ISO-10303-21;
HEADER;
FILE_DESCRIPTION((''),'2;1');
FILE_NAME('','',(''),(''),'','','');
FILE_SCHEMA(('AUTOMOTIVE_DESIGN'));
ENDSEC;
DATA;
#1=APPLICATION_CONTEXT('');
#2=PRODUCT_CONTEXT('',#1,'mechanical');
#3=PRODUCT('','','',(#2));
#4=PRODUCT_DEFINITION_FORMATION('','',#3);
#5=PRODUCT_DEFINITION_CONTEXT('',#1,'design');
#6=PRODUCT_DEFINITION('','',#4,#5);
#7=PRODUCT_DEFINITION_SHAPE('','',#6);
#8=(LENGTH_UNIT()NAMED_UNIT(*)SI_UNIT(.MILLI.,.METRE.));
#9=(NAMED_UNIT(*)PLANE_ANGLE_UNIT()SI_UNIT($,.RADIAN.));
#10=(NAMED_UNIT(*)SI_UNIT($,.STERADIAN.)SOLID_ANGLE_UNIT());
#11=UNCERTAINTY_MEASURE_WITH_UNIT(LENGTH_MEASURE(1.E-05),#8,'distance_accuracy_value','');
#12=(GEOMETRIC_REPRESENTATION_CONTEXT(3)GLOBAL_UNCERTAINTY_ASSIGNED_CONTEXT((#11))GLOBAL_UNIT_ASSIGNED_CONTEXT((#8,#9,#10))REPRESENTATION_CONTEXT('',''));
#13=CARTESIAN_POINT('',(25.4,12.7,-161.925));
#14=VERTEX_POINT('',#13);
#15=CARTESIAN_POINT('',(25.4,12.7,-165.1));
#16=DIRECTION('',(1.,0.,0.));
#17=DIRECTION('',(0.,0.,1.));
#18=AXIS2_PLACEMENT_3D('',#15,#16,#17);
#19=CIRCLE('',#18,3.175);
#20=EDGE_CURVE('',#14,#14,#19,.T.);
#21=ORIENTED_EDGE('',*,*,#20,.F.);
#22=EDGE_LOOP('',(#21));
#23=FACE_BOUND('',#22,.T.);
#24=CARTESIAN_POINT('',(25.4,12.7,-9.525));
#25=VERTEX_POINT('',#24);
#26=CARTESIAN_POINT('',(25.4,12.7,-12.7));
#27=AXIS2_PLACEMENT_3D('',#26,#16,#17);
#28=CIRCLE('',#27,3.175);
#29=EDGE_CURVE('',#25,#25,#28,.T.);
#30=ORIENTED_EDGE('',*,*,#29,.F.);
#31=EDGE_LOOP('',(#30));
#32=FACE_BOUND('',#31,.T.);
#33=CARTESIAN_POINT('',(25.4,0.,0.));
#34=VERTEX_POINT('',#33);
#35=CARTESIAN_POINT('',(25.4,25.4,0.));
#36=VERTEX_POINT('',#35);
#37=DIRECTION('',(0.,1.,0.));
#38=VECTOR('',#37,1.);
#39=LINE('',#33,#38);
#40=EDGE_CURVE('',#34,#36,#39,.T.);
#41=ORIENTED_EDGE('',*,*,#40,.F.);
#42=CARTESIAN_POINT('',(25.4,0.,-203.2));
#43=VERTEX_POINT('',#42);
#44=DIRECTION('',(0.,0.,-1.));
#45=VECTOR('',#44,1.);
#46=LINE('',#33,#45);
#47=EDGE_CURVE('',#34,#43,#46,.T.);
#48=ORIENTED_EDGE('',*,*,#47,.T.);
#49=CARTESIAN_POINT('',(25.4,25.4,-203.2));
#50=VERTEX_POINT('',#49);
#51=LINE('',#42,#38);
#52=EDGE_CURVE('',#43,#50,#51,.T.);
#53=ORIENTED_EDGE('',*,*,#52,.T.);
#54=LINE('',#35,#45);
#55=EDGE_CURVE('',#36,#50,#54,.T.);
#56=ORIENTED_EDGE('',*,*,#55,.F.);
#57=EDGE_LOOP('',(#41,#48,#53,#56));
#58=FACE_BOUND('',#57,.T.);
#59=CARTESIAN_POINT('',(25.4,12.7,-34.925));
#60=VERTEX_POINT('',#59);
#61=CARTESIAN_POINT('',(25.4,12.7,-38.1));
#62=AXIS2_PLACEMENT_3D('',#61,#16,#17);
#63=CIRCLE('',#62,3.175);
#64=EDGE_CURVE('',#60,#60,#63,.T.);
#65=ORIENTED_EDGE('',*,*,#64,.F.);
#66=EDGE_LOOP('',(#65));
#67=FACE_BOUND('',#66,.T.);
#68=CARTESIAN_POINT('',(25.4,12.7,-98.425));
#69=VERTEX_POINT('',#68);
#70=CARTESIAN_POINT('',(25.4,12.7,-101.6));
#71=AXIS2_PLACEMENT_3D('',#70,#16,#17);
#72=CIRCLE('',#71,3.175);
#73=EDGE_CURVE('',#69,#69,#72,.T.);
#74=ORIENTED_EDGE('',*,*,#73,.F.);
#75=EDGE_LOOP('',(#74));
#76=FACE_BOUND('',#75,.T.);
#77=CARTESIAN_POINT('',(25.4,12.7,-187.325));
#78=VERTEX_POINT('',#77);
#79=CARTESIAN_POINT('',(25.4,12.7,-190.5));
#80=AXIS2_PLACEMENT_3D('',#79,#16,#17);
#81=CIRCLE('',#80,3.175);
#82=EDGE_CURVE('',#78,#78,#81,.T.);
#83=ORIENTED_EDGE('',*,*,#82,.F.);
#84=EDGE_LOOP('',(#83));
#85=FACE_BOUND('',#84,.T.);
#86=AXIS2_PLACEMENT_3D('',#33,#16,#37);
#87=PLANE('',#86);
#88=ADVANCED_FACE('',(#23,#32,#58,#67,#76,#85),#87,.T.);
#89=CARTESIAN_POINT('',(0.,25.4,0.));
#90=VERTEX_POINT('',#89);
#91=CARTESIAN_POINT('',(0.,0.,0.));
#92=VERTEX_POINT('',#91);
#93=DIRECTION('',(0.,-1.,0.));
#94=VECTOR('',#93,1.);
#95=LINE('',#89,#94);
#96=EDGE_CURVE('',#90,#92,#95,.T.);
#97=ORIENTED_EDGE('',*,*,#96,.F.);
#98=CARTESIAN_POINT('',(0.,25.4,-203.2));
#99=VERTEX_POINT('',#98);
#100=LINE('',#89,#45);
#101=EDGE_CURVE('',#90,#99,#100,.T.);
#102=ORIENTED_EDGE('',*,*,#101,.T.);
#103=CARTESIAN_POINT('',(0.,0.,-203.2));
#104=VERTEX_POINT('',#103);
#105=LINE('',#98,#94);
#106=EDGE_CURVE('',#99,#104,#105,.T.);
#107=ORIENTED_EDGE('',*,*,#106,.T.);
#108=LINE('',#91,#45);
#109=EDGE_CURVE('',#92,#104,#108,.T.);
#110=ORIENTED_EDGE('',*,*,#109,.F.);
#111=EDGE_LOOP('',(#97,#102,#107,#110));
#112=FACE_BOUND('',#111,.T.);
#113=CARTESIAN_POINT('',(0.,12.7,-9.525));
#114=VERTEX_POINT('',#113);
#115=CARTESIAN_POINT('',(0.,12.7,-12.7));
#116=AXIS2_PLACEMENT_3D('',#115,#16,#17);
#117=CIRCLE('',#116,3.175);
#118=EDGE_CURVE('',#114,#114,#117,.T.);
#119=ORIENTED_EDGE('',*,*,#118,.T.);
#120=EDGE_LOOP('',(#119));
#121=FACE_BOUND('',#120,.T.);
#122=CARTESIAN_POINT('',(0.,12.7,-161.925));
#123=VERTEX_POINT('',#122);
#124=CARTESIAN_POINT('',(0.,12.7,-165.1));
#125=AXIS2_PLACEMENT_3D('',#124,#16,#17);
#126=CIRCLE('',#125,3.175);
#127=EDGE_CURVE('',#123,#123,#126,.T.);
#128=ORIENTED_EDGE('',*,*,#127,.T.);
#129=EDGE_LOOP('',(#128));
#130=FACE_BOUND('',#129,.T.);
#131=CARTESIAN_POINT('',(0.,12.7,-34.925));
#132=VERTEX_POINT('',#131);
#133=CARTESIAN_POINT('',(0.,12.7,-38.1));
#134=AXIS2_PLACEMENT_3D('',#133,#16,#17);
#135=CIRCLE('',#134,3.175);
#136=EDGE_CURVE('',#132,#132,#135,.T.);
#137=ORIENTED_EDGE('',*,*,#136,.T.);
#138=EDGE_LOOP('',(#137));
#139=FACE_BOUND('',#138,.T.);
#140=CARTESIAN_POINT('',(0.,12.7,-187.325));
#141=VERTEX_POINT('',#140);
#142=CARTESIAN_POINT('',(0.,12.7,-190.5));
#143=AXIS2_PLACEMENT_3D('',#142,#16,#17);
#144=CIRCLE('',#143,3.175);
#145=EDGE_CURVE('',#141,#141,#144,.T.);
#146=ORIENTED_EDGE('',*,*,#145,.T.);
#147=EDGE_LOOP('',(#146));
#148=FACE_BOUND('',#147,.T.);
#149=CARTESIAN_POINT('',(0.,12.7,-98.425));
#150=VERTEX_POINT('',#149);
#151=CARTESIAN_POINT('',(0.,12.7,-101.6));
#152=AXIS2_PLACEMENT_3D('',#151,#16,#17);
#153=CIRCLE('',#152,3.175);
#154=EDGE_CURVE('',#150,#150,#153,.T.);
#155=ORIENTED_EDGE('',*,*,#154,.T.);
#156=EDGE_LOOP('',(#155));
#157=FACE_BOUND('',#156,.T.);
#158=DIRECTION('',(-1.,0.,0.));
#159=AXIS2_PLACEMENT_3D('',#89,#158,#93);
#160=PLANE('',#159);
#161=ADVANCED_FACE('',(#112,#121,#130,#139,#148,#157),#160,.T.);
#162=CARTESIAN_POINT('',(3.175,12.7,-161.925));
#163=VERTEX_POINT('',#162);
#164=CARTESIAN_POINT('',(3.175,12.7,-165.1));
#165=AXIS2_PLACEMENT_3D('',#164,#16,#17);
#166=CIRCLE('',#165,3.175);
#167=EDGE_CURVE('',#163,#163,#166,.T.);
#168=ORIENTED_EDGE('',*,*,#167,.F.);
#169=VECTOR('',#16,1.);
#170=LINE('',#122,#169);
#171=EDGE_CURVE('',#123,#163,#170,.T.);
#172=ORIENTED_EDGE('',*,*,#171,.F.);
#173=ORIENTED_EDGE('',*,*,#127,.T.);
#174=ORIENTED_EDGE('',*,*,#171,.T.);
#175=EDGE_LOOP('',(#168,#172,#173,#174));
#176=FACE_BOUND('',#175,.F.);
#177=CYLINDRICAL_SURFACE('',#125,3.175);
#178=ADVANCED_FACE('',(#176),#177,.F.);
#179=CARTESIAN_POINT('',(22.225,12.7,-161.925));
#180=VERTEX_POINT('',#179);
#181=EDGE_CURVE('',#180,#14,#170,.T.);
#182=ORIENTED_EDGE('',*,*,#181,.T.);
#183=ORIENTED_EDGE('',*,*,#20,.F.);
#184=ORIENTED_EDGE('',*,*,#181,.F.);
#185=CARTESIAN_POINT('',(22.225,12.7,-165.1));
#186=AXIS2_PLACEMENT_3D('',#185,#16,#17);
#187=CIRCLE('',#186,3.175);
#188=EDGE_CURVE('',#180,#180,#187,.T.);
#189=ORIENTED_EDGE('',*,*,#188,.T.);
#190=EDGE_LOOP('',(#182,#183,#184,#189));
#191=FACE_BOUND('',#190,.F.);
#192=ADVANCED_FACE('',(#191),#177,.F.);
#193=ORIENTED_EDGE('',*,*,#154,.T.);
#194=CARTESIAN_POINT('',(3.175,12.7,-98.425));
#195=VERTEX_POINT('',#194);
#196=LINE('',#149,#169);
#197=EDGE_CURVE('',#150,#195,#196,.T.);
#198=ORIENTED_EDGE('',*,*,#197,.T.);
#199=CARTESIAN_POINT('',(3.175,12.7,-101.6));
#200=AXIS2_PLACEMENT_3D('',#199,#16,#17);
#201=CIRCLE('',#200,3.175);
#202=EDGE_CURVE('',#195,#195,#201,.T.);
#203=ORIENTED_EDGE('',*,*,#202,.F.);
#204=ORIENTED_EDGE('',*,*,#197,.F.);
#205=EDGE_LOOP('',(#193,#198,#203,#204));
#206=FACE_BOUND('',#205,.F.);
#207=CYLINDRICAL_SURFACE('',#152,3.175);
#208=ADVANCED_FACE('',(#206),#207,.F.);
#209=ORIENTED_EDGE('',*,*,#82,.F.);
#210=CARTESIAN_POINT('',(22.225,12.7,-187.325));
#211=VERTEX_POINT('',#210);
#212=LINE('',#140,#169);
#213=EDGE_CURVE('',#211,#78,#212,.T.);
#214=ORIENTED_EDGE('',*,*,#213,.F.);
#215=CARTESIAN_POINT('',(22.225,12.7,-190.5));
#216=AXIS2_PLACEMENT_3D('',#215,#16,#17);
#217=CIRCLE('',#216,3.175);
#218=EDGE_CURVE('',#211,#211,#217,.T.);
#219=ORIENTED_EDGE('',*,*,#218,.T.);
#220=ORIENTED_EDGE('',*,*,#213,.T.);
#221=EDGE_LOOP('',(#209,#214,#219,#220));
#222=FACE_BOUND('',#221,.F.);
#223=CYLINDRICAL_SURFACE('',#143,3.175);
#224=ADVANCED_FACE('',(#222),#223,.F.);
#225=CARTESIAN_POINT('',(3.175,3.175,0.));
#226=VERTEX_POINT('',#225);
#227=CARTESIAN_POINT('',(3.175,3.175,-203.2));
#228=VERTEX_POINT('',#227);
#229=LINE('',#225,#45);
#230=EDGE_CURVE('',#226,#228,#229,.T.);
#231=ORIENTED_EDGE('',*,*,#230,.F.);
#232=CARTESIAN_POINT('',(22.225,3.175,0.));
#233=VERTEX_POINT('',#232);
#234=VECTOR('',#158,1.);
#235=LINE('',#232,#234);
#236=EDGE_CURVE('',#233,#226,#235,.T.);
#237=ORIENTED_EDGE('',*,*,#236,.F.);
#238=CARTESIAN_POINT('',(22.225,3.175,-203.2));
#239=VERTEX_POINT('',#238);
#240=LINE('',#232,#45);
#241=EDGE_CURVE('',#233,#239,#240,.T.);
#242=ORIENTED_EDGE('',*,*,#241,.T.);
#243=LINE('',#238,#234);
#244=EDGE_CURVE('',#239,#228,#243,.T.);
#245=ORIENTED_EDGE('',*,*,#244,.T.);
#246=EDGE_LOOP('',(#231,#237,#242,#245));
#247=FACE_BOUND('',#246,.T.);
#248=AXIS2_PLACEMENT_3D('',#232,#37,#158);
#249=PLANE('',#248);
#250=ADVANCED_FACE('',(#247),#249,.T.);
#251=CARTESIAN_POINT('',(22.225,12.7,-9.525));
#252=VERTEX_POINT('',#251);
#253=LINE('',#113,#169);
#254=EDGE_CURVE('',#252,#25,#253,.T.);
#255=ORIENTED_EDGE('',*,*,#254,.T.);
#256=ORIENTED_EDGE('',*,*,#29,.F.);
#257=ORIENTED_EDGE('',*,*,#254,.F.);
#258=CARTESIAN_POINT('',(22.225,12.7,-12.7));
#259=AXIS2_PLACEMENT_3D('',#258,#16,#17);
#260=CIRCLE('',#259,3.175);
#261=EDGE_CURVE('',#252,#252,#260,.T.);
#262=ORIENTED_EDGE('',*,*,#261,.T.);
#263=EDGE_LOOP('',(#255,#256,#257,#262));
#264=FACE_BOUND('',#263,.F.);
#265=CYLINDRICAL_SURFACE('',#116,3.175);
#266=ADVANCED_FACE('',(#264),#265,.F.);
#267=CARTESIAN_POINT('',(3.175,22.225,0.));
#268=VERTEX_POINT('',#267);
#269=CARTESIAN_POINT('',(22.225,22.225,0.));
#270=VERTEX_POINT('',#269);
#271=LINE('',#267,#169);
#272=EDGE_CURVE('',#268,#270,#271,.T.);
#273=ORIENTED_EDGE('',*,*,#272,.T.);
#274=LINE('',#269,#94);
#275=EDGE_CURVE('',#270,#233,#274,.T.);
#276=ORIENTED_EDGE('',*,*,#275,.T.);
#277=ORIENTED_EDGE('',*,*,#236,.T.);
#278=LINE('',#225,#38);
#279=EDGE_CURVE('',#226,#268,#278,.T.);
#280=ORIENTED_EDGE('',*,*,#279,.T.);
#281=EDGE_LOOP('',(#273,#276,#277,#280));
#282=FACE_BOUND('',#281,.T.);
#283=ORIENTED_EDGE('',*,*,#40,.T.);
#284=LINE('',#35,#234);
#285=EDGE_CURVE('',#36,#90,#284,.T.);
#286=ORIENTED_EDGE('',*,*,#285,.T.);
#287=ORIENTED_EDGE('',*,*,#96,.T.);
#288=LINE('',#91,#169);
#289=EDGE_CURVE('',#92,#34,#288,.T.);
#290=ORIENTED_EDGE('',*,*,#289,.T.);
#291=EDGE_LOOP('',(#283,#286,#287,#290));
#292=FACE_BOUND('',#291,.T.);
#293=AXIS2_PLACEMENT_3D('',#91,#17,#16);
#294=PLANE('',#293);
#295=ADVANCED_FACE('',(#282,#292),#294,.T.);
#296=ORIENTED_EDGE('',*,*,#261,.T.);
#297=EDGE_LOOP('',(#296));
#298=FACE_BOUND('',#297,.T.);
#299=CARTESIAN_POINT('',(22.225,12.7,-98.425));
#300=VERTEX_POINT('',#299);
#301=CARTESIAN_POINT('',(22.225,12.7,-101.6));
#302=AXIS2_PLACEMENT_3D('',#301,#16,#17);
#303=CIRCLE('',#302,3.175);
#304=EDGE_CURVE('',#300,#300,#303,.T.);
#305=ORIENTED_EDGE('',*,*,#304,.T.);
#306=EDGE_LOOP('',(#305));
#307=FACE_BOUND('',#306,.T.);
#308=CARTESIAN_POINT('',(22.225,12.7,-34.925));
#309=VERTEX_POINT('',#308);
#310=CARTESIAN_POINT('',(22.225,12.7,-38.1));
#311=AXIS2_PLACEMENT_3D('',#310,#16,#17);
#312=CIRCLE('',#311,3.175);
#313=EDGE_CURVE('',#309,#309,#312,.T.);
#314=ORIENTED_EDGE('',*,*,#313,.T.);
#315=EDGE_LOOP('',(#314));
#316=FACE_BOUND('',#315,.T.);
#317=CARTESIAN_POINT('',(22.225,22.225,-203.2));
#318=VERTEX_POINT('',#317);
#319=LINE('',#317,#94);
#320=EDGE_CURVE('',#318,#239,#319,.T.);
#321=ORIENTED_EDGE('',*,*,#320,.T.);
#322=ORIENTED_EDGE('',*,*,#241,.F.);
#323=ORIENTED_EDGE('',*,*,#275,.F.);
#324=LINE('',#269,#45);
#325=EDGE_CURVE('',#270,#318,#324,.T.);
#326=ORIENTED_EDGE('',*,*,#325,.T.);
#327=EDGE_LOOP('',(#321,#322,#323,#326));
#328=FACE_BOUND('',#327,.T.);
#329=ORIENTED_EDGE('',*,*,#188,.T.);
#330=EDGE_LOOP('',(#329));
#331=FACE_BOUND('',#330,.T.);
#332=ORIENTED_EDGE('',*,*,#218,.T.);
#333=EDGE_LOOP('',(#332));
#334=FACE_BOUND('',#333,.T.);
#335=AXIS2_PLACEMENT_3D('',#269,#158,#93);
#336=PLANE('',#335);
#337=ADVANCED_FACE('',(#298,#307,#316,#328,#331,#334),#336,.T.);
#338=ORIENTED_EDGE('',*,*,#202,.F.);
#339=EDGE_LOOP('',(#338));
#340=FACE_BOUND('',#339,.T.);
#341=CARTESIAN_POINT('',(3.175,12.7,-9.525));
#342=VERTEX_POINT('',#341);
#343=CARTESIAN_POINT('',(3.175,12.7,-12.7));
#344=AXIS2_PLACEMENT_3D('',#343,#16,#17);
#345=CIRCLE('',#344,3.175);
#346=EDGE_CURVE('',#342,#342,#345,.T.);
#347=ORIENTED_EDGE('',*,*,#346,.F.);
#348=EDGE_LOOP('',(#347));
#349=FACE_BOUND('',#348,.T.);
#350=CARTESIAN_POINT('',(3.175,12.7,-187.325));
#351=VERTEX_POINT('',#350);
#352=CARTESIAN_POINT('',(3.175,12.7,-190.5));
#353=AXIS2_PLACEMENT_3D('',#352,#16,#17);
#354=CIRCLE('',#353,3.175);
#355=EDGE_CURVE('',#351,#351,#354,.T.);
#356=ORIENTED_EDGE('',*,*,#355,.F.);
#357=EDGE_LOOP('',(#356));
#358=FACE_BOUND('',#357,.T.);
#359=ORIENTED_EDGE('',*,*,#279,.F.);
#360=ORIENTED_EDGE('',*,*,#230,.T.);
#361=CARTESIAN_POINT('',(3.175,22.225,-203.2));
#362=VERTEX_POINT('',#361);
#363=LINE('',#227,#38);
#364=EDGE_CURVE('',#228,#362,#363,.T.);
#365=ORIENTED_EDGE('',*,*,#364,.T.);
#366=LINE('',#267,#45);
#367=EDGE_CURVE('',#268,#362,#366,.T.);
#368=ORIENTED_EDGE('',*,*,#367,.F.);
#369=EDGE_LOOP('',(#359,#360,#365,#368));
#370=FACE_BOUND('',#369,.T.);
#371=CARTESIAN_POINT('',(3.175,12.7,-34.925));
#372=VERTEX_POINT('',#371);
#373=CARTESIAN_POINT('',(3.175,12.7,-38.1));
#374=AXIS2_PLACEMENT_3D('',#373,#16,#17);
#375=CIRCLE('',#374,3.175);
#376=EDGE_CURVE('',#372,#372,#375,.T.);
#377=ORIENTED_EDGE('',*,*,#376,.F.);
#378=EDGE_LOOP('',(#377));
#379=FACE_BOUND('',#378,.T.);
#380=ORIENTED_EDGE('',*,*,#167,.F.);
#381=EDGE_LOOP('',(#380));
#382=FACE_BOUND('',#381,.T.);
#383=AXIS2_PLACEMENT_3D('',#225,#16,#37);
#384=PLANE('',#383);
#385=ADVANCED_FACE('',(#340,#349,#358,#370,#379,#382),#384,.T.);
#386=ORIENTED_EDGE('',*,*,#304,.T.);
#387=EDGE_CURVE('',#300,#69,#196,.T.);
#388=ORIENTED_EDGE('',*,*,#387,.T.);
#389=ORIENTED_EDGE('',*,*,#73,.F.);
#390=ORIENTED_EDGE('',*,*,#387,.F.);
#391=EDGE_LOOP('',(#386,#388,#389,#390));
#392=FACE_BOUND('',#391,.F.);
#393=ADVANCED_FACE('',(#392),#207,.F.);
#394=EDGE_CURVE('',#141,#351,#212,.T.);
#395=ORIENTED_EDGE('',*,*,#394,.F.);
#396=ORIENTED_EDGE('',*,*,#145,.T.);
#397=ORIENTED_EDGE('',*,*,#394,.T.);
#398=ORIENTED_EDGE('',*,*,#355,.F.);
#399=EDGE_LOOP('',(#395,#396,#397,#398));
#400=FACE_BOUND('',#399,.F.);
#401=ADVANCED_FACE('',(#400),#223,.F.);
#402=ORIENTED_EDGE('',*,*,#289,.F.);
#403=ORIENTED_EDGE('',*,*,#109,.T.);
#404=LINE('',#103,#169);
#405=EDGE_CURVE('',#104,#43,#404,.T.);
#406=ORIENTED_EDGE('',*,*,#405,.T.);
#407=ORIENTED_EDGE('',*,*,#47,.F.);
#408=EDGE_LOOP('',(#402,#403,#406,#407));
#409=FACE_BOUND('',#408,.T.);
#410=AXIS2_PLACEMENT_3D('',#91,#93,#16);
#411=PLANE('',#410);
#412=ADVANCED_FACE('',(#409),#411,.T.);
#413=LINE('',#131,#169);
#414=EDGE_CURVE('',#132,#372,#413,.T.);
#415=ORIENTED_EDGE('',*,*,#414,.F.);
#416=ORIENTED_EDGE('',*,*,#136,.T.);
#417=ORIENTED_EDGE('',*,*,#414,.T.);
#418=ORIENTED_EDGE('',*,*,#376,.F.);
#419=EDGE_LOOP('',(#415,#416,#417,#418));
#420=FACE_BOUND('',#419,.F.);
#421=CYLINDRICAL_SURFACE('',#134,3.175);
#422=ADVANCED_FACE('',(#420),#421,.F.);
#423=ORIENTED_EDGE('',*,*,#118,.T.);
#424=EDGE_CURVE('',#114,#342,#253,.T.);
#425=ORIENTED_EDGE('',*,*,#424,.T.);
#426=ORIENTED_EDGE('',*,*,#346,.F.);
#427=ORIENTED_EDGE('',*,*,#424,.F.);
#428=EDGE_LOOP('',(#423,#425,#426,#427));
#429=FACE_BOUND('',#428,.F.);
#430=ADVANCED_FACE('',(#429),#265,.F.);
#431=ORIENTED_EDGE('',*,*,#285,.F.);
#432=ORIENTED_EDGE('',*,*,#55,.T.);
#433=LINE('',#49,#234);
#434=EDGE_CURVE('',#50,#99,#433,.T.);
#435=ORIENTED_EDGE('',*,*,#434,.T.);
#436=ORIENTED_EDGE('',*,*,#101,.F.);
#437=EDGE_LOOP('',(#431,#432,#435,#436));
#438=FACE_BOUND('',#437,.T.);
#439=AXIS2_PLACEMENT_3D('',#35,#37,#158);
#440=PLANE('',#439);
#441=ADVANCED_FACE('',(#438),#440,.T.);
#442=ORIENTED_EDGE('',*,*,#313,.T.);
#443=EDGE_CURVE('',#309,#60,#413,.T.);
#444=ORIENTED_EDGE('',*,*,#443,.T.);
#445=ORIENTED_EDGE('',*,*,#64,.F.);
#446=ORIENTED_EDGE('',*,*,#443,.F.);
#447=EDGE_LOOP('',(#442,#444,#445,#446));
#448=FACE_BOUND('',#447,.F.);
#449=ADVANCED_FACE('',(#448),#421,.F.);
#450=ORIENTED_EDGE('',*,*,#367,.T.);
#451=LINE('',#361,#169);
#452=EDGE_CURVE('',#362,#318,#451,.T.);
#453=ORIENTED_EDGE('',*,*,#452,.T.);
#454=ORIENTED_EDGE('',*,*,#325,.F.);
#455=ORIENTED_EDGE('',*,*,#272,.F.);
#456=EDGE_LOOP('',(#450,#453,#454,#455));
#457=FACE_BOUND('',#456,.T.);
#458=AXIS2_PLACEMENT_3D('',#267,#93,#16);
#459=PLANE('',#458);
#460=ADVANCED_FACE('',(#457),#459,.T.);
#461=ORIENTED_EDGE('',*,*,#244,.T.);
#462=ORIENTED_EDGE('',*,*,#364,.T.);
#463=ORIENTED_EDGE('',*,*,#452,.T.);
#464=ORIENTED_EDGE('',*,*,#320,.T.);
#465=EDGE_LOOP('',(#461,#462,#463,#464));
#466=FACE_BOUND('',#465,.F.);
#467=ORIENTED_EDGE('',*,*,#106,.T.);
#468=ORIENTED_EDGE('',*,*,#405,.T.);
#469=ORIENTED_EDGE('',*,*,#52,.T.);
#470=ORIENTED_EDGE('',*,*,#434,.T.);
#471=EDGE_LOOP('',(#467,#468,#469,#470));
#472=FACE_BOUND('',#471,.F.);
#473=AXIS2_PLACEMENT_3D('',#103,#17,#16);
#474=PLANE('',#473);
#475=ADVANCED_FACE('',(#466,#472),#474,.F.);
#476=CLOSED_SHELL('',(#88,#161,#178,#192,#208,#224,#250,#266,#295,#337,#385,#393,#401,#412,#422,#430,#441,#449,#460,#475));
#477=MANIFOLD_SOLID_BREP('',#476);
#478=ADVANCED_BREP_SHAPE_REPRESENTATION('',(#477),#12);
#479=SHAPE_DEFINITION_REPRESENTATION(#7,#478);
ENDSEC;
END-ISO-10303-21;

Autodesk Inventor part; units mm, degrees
ref_plane "YZ Plane" through (0, 0, 0) normal (1, 0, 0) x (0, 1, 0)
ref_plane "XZ Plane" through (0, 0, 0) normal (0, 1, 0) x (-1, 0, 0)
ref_plane "XY Plane" through (0, 0, 0) normal (0, 0, 1) x (1, 0, 0)
sketch "Sketch1" plane through (0, 0, 0) normal (0, 0, 1) x (1, 0, 0)
  line L0 (0, 0) -> (25.4, 0)
  line L1 (25.4, 0) -> (25.4, 25.4)
  line L2 (25.4, 25.4) -> (0, 25.4)
  line L3 (0, 25.4) -> (0, 0)
  line L4 (3.175, 22.225) -> (22.225, 22.225)
  line L5 (22.225, 22.225) -> (22.225, 3.175)
  line L6 (22.225, 3.175) -> (3.175, 3.175)
  line L7 (3.175, 3.175) -> (3.175, 22.225)
  dimension "d0" = 25.4
  dimension "d1" = 25.4
  dimension "d2" = 3.175
extrude "Extrusion1" add sketch "Sketch1" against normal blind 203.2
sketch "Sketch2" plane through (0, 0, 0) normal (-1, 0, 0) x (0, 0, 1)
  line L0 (-203.2, 25.4) -> (-203.2, 0) projected
  line L1 (0, 25.4) -> (-203.2, 25.4) projected
  line L2 (0, 25.4) -> (0, 0) projected
  point P0 (-190.5, 12.7)
  point P1 (-165.1, 12.7)
  point P2 (-12.7, 12.7)
  point P3 (-38.1, 12.7)
  point P4 (-101.6, 12.7)
  point P5 (-101.6, 12.7)
  dimension "d5" = 12.7
  dimension "d6" = 25.4
  dimension "d7" = 12.7
  dimension "d24" = 12.7
  dimension "d25" = 25.4
hole "Hole1" at (0, 12.7, -190.5) at (0, 12.7, -165.1) at (0, 12.7, -38.1) at (0, 12.7, -12.7) at (0, 12.7, -101.6) direction (1, 0, 0) diameter 6.35 depth 25.4 tip angle 118
properties part number "towertopmiddle8inbrace"
